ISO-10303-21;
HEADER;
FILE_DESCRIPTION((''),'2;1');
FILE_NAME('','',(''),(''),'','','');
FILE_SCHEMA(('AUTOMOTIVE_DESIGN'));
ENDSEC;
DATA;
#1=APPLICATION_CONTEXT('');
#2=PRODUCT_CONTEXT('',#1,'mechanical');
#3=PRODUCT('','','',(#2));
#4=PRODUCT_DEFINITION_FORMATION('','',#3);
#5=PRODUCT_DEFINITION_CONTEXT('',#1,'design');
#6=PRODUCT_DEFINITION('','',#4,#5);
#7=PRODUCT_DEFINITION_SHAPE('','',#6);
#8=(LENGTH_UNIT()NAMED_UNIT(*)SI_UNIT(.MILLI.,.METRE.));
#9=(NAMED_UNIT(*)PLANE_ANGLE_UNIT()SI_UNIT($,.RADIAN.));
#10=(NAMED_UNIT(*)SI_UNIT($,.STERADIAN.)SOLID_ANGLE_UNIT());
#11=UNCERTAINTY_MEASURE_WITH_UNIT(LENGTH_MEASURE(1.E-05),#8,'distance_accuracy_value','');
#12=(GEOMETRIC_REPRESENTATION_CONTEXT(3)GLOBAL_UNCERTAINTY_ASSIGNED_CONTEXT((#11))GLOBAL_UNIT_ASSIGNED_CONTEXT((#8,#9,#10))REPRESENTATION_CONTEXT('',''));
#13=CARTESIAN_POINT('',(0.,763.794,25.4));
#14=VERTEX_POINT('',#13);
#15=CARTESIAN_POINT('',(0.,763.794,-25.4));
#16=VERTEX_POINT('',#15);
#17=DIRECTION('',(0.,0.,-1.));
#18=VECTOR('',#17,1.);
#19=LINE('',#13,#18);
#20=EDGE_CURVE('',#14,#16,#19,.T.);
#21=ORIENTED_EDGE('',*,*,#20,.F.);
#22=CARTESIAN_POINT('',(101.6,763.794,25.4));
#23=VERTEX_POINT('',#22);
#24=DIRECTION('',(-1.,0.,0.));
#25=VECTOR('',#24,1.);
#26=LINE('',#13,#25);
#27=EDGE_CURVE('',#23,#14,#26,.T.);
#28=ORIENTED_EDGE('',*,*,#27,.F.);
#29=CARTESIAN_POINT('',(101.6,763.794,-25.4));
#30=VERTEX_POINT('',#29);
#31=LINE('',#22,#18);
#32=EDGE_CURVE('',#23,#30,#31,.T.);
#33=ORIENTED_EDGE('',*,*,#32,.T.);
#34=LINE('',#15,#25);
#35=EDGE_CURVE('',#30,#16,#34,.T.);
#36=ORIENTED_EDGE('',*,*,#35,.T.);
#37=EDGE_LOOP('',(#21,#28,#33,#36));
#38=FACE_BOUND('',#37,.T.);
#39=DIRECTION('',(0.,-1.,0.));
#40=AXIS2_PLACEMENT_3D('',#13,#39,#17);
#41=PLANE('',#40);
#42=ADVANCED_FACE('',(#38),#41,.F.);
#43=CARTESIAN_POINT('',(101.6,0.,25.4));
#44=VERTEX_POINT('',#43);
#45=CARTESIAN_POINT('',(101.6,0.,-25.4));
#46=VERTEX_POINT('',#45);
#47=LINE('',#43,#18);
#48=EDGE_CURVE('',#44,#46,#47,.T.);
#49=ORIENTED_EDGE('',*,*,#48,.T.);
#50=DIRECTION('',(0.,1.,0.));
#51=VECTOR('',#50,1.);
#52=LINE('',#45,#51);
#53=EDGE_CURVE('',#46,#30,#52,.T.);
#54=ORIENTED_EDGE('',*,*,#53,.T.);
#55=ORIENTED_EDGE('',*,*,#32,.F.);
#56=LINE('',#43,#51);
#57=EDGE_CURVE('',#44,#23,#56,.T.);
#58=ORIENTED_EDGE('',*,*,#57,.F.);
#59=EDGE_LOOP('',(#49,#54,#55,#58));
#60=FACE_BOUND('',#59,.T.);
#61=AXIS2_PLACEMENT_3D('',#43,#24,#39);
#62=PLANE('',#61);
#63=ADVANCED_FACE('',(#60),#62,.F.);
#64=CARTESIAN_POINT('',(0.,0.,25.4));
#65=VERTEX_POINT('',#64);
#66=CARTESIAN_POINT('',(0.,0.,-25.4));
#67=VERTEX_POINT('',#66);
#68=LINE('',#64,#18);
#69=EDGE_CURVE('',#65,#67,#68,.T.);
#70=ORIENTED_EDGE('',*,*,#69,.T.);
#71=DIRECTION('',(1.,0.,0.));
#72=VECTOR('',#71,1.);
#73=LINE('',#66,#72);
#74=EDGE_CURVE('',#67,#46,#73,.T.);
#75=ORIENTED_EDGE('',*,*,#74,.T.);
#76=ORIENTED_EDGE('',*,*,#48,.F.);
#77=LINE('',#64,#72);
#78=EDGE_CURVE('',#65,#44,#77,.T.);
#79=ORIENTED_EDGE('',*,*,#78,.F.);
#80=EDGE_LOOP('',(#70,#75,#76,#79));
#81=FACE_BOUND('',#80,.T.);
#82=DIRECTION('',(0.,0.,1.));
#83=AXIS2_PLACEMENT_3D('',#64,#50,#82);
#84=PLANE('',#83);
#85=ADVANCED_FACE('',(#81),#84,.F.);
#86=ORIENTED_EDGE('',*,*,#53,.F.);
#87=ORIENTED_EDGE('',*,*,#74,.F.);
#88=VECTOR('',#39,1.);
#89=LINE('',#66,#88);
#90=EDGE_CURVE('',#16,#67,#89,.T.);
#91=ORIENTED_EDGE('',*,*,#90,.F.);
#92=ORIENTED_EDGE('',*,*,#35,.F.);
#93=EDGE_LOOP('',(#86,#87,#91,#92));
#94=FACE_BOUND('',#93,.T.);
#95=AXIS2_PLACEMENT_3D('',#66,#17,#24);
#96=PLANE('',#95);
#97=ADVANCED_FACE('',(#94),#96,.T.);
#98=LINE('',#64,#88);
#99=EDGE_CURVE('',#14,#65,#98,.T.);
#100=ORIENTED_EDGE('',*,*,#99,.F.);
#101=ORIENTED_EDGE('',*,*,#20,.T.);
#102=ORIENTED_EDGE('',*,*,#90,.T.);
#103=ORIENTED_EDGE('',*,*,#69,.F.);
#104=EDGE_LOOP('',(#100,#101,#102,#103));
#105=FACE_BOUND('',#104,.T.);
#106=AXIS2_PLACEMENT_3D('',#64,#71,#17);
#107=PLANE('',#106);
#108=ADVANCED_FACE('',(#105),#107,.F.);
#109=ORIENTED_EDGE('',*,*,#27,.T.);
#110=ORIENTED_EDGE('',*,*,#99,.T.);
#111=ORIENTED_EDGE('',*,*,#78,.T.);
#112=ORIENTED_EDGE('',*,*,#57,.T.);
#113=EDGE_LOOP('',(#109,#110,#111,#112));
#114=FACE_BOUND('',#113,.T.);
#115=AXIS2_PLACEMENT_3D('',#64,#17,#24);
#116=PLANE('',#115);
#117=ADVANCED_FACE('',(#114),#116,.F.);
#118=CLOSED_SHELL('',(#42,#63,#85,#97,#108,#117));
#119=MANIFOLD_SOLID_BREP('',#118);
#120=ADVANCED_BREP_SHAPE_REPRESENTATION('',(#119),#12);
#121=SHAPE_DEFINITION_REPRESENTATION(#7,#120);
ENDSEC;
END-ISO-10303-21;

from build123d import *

# Parameters (mm, degrees)
SKETCH1_W           = 101.6
SKETCH1_H           = 763.794
BOSS_EXTRUDE1_DEPTH = 25.4


with BuildPart() as part:
    # Sketch1 → Boss-Extrude1 (new body, symmetric)
    with BuildSketch(Plane.XY):
        with Locations((50.8, 381.897)):
            Rectangle(SKETCH1_W, SKETCH1_H)
    extrude(amount=BOSS_EXTRUDE1_DEPTH, both=True)


solid = part.part
